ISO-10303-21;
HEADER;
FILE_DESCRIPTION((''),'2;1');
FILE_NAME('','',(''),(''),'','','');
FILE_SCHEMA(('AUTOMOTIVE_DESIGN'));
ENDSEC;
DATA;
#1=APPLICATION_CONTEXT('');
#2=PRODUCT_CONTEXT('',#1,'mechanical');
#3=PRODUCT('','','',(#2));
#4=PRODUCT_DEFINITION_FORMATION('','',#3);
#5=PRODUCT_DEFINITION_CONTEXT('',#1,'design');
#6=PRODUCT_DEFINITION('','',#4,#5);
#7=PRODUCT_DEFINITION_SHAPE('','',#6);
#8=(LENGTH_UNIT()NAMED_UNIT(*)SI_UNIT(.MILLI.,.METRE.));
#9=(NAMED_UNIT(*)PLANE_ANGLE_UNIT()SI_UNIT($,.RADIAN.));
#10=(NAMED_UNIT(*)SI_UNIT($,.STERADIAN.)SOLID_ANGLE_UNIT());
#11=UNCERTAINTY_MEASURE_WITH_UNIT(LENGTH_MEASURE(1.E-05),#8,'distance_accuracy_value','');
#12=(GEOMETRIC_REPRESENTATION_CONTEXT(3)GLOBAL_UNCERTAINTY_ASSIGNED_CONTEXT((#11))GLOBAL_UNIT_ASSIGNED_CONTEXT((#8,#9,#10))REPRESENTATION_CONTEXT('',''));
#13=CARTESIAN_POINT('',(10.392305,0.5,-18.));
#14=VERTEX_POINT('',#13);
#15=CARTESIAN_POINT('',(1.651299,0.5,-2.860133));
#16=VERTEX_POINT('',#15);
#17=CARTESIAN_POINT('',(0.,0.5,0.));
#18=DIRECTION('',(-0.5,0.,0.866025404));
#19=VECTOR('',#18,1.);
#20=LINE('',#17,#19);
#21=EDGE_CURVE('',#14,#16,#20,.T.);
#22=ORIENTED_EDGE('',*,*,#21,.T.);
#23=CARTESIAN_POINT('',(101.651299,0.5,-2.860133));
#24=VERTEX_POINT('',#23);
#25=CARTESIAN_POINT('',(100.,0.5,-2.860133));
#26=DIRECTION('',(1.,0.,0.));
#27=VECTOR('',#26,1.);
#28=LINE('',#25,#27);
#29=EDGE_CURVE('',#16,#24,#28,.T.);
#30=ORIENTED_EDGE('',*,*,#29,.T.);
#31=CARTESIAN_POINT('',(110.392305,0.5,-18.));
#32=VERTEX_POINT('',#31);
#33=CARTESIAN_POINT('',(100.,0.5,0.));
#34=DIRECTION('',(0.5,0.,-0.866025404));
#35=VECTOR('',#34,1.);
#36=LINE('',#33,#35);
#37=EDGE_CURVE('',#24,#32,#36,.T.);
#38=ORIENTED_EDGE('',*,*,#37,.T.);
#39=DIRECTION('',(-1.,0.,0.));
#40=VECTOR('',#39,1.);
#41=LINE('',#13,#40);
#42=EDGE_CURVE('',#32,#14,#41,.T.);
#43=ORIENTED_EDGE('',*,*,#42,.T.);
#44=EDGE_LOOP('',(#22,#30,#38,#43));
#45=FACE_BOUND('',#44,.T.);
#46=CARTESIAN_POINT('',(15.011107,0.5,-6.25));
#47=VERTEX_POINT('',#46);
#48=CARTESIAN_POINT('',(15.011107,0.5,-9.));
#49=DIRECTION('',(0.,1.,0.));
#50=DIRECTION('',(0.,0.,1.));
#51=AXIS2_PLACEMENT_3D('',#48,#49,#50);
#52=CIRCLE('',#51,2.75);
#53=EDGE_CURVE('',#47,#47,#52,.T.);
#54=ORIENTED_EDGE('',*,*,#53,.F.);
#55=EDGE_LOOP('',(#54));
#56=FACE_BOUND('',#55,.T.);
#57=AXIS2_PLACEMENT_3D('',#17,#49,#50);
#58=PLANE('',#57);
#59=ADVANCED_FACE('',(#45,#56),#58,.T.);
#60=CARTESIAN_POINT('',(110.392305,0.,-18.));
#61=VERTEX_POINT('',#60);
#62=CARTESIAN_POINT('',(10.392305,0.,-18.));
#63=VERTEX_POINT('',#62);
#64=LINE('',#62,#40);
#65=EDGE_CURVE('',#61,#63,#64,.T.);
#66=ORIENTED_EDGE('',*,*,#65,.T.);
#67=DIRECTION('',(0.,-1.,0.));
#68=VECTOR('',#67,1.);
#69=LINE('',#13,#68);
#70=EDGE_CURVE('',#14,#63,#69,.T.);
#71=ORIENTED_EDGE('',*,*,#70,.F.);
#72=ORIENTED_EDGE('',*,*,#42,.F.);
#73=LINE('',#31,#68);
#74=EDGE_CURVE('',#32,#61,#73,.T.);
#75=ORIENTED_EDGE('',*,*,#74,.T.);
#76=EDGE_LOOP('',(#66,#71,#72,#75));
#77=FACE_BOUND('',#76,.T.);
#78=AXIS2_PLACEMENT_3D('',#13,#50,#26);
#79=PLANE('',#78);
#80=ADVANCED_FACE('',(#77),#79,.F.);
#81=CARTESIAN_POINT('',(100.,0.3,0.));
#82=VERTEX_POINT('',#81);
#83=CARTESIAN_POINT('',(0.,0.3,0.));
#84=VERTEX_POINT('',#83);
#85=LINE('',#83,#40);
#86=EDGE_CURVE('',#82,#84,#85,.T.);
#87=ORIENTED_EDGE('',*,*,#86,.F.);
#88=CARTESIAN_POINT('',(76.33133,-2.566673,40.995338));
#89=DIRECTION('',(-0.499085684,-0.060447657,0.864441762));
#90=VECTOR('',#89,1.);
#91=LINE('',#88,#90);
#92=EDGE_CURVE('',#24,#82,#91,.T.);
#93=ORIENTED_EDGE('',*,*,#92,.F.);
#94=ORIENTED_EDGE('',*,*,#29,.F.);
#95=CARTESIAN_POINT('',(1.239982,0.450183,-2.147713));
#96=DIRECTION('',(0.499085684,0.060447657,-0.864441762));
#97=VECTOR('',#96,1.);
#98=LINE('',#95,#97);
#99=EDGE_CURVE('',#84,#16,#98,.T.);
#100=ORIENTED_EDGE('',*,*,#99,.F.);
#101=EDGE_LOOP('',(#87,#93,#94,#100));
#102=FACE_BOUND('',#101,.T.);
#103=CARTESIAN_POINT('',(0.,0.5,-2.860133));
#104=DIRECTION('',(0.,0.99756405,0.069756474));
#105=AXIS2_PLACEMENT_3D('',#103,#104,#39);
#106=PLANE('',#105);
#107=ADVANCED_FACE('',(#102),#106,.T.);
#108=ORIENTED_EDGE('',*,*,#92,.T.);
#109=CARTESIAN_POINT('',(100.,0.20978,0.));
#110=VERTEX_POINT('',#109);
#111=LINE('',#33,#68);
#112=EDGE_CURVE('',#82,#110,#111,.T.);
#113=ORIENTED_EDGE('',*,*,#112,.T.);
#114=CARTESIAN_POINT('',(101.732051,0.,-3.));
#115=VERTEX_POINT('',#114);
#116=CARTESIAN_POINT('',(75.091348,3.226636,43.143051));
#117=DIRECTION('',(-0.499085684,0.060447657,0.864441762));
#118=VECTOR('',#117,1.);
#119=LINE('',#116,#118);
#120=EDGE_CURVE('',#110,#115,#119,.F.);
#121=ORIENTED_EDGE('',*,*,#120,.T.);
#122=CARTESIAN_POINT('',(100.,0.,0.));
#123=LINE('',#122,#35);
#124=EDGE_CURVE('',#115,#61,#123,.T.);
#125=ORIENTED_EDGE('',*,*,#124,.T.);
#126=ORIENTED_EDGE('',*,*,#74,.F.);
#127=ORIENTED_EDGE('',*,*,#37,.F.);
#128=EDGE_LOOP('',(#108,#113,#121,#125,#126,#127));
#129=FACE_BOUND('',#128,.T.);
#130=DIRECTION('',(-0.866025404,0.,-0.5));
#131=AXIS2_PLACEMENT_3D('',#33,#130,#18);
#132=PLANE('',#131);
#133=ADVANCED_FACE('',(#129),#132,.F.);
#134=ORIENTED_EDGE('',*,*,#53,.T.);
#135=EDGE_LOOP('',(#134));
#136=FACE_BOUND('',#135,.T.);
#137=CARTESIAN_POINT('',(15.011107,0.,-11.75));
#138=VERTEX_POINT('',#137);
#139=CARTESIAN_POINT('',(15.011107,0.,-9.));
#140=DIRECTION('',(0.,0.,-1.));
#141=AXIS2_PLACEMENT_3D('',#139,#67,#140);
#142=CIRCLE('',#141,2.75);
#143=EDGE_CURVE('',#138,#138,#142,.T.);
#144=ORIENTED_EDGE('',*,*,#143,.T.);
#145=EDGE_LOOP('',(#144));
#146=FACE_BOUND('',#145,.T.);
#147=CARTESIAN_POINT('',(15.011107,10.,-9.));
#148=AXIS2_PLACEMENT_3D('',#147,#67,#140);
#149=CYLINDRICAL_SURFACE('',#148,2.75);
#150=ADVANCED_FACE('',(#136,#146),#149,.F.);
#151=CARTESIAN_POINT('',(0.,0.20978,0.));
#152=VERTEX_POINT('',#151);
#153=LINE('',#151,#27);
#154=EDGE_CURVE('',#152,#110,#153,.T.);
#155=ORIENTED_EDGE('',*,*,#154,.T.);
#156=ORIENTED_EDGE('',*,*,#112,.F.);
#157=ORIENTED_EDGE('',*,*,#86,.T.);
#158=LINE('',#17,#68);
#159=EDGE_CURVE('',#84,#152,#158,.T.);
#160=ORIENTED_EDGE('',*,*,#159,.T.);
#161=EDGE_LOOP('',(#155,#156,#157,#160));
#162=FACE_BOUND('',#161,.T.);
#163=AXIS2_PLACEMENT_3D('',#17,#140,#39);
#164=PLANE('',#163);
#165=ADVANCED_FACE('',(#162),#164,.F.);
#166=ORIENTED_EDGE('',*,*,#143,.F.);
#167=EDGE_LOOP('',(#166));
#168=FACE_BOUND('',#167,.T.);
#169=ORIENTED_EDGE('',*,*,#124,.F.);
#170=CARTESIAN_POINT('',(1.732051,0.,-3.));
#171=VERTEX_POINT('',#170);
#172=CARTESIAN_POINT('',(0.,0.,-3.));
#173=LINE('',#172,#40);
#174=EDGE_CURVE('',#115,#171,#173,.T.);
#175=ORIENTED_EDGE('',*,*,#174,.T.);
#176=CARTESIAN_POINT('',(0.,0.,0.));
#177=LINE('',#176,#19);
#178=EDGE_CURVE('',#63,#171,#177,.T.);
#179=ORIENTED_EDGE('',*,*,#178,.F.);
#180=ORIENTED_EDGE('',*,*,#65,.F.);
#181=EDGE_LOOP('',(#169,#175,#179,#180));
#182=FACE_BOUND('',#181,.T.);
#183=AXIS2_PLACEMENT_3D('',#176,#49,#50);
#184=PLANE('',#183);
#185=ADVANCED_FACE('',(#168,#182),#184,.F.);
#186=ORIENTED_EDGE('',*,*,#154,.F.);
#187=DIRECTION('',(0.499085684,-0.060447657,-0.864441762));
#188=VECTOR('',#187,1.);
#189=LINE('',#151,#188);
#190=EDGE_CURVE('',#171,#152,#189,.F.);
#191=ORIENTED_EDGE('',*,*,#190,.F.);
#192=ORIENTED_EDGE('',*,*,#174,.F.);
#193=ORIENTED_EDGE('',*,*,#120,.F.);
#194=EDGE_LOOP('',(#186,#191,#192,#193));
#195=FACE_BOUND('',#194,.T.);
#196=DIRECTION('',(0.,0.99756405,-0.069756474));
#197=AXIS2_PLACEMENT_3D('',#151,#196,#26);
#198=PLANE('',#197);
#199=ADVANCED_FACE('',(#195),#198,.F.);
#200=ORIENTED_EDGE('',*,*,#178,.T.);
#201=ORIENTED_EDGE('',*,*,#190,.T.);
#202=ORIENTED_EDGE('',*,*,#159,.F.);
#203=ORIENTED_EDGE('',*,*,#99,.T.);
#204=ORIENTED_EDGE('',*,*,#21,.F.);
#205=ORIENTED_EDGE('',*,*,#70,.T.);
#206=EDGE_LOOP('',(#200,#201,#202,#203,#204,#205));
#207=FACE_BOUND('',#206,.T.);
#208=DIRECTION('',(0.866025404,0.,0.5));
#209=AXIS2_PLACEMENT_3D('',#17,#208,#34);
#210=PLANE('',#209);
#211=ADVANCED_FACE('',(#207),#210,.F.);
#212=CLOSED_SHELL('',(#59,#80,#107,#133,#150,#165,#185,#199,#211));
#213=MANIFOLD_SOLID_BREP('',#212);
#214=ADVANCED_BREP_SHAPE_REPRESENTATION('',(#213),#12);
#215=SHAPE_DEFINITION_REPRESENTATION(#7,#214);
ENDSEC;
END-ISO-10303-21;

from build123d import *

# Parameters (mm, degrees)
EXTRUDE_1_DEPTH     = 0.5
SKETCH_2_R          = 2.75
CUT_EXTRUDE_1_DEPTH = 10
CHAMFER_1_SIZE      = 3
CHAMFER_1_SIZE2     = 0.209780436
CHAMFER_2_SIZE      = 0.2
CHAMFER_2_SIZE2     = 2.860133251


with BuildPart() as part:
    # 草图1 → 凸台-拉伸1 (new body)
    with BuildSketch(Plane(origin=(0, 0, 0), x_dir=(1, 0, 0), z_dir=(0, 1, 0))):
        Polygon((0, 0), (10.392304845, 18), (110.392304845, 18), (100, 0), align=None)
    extrude(amount=EXTRUDE_1_DEPTH)

    # 草图2 → 切除-拉伸1 (cut)
    with BuildSketch(Plane(origin=(0, 0, 0), x_dir=(-1, 0, 0), z_dir=(0, -1, 0))):
        with Locations(Location((-15.011106999, 9, 0), (0, 0, 90))):
            Circle(SKETCH_2_R)
    extrude(amount=-CUT_EXTRUDE_1_DEPTH, mode=Mode.SUBTRACT)

    # 倒角1
    chamfer_1_edges = [part.edges().sort_by_distance(p)[0] for p in [
        (50, 0, 0),
    ]]
    chamfer_1_side = [part.faces().sort_by_distance(p)[0] for p in [
        (55.733651423, 0, -9),
    ]]
    chamfer(chamfer_1_edges, length=CHAMFER_1_SIZE, length2=CHAMFER_1_SIZE2, reference=chamfer_1_side[0])

    # 倒角2
    chamfer_2_edges = [part.edges().sort_by_distance(p)[0] for p in [
        (50, 0.5, 0),
    ]]
    chamfer_2_side = [part.faces().sort_by_distance(p)[0] for p in [
        (50, 0.354890218, 0),
    ]]
    chamfer(chamfer_2_edges, length=CHAMFER_2_SIZE, length2=CHAMFER_2_SIZE2, reference=chamfer_2_side[0])


solid = part.part
